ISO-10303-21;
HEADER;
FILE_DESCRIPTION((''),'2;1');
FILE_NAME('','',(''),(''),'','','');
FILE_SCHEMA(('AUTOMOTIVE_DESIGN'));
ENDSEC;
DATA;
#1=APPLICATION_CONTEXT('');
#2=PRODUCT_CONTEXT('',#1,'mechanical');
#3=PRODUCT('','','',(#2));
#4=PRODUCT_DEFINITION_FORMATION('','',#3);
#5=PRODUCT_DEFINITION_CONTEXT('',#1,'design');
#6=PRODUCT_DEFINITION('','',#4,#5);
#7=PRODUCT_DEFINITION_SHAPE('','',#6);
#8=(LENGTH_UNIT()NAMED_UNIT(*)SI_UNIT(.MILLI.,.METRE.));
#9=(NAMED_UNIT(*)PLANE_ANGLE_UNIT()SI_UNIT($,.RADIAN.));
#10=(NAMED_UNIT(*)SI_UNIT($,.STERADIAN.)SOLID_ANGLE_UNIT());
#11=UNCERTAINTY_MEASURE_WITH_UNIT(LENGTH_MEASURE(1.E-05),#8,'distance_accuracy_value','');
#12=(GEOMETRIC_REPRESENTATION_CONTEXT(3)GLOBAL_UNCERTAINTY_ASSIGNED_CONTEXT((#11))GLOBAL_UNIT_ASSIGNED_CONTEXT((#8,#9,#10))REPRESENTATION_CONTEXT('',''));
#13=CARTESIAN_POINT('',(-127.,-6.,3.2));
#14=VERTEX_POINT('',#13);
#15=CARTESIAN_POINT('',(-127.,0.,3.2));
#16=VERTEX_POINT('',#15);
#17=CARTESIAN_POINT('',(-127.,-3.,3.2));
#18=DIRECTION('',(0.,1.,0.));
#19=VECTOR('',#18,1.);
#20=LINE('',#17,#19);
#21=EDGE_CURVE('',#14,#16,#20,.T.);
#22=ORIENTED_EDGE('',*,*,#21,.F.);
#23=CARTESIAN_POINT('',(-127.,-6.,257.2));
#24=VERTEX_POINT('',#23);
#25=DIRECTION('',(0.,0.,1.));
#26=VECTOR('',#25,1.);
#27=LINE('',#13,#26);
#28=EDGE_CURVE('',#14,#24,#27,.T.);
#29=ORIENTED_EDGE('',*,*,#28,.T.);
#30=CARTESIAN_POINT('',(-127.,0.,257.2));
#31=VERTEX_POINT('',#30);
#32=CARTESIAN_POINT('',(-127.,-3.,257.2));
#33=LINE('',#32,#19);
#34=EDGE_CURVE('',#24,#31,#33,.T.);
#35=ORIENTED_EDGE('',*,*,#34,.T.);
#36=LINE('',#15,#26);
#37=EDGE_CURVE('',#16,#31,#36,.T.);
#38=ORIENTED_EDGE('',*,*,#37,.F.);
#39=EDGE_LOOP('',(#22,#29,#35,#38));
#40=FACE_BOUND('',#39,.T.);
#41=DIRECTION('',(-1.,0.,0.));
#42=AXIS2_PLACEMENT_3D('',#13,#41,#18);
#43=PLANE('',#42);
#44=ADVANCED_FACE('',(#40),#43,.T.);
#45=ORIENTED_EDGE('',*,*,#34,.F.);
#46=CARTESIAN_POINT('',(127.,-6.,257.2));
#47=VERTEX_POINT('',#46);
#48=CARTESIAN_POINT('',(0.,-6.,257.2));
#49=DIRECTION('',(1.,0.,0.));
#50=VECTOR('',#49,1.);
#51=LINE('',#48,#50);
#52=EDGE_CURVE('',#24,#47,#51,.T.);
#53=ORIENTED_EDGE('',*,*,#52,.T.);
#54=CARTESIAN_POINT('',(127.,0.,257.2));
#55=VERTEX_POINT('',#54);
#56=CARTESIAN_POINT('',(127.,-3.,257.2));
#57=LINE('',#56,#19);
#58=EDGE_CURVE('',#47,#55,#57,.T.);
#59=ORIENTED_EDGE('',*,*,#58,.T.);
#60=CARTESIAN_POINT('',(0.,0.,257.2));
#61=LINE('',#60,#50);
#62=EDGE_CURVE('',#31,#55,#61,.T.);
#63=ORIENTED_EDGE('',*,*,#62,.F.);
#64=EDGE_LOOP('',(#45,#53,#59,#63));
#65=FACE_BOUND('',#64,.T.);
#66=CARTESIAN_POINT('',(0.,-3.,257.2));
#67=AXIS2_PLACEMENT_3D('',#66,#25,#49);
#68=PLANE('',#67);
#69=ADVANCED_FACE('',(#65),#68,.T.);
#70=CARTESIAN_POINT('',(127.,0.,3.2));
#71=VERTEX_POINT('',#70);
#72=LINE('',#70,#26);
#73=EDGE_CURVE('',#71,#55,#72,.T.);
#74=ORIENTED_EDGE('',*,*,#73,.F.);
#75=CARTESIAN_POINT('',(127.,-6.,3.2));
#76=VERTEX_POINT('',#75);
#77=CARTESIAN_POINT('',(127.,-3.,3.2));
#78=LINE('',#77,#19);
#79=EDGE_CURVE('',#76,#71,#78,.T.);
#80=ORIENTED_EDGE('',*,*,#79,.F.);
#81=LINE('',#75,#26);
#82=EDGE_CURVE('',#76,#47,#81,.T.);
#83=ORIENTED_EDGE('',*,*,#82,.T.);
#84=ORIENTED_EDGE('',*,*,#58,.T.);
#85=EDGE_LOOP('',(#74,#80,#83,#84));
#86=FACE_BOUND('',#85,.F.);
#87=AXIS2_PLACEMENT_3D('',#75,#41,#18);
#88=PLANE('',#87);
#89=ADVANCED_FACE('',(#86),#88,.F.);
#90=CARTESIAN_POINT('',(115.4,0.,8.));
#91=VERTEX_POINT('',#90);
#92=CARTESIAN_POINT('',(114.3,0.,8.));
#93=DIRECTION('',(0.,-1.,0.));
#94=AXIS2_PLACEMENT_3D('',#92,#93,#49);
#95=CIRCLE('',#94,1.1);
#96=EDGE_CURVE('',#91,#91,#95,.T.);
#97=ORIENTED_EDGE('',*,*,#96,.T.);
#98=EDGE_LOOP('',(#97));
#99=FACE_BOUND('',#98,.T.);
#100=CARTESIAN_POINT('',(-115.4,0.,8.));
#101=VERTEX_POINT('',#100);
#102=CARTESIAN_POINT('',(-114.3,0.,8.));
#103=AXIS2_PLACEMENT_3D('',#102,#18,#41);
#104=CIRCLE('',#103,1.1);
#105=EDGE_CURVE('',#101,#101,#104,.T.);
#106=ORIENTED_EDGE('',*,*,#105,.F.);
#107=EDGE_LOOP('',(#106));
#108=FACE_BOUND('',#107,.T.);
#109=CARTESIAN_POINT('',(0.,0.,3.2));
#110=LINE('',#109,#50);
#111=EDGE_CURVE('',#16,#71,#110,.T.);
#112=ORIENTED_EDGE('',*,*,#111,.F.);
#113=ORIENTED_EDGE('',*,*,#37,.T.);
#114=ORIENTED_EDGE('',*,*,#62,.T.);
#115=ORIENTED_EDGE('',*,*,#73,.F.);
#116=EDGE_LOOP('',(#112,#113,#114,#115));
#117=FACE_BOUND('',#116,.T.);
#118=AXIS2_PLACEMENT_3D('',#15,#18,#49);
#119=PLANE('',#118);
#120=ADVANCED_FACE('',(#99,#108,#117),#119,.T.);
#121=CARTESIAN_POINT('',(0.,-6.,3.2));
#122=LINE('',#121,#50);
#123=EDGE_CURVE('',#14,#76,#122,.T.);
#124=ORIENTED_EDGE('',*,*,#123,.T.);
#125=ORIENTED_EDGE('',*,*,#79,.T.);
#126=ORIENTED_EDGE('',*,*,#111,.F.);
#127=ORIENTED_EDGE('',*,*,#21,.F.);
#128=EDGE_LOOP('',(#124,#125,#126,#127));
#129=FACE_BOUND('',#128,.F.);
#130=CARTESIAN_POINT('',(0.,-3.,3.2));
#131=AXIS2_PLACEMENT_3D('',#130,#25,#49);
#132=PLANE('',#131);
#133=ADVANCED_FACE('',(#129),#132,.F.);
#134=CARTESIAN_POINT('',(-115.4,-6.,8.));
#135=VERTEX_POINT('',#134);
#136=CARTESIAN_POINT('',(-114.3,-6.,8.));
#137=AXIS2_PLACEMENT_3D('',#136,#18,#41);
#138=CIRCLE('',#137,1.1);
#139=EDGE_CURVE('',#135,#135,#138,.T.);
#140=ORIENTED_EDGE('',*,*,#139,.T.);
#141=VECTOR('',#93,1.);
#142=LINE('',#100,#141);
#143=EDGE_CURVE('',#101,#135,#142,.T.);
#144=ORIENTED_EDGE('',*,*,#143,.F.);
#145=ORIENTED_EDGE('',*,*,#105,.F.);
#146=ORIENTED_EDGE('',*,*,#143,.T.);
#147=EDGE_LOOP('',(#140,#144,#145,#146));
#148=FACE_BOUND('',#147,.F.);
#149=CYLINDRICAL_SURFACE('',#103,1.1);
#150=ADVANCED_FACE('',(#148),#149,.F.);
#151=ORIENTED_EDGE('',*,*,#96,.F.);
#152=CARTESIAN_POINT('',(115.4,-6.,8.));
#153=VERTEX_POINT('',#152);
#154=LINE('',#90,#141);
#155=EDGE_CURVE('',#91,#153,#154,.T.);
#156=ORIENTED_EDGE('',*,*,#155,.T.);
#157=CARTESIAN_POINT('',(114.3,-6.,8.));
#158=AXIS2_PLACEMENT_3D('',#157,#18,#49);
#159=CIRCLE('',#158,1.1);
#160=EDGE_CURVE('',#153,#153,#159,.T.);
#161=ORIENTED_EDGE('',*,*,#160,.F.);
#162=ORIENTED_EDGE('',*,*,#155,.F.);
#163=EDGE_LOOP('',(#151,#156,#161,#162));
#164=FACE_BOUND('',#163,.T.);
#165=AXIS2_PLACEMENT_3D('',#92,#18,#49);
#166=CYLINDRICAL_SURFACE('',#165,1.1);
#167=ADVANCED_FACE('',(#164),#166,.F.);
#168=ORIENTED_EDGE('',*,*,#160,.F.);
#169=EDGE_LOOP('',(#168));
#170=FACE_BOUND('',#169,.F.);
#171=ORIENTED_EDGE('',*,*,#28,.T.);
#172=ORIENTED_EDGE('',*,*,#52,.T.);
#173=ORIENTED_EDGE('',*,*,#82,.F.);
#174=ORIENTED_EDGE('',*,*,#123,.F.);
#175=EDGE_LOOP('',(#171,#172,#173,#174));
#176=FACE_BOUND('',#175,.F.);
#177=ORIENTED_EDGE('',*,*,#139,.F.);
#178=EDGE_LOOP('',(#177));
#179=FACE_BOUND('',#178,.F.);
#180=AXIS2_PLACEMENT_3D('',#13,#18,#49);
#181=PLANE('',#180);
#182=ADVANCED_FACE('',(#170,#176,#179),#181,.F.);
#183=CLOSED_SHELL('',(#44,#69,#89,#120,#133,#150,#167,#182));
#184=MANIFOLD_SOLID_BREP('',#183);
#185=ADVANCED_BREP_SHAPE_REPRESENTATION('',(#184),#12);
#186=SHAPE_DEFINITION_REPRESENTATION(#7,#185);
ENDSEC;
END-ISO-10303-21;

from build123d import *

# Parameters (mm, degrees)
SKETCH002_W     = 254
SKETCH002_H     = 6
PAD002_DEPTH    = 254
SKETCH035_R     = 1.1
POCKET006_DEPTH = 724.521703


with BuildPart() as part:
    # Sketch002 → Pad002 (new body)
    with BuildSketch(Plane.XY.offset(1.6)):
        with Locations((0, 3)):
            Rectangle(SKETCH002_W, SKETCH002_H)
    extrude(amount=PAD002_DEPTH)

    # Sketch035 (on Face1 of Pad002) → Pocket006 (cut, through all)
    with BuildSketch(Plane(origin=(0, 6, 0), x_dir=(-1, 0, 0), z_dir=(0, 1, 0))):
        with Locations((114.3, 6.4)):
            Circle(SKETCH035_R)
    pocket006 = extrude(amount=-POCKET006_DEPTH, mode=Mode.SUBTRACT)

    # Mirrored: Pocket006 across Sketch035 V_Axis
    add(pocket006.mirror(Plane(origin=(0, 6, 0), x_dir=(0, 1, 0), z_dir=(-1, 0, 0))), mode=Mode.SUBTRACT)


with BuildPart() as part_1:
    # Body002 placement: moved
    add(part.part.moved(Location((0, -6, 1.6))))


solid = part_1.part
